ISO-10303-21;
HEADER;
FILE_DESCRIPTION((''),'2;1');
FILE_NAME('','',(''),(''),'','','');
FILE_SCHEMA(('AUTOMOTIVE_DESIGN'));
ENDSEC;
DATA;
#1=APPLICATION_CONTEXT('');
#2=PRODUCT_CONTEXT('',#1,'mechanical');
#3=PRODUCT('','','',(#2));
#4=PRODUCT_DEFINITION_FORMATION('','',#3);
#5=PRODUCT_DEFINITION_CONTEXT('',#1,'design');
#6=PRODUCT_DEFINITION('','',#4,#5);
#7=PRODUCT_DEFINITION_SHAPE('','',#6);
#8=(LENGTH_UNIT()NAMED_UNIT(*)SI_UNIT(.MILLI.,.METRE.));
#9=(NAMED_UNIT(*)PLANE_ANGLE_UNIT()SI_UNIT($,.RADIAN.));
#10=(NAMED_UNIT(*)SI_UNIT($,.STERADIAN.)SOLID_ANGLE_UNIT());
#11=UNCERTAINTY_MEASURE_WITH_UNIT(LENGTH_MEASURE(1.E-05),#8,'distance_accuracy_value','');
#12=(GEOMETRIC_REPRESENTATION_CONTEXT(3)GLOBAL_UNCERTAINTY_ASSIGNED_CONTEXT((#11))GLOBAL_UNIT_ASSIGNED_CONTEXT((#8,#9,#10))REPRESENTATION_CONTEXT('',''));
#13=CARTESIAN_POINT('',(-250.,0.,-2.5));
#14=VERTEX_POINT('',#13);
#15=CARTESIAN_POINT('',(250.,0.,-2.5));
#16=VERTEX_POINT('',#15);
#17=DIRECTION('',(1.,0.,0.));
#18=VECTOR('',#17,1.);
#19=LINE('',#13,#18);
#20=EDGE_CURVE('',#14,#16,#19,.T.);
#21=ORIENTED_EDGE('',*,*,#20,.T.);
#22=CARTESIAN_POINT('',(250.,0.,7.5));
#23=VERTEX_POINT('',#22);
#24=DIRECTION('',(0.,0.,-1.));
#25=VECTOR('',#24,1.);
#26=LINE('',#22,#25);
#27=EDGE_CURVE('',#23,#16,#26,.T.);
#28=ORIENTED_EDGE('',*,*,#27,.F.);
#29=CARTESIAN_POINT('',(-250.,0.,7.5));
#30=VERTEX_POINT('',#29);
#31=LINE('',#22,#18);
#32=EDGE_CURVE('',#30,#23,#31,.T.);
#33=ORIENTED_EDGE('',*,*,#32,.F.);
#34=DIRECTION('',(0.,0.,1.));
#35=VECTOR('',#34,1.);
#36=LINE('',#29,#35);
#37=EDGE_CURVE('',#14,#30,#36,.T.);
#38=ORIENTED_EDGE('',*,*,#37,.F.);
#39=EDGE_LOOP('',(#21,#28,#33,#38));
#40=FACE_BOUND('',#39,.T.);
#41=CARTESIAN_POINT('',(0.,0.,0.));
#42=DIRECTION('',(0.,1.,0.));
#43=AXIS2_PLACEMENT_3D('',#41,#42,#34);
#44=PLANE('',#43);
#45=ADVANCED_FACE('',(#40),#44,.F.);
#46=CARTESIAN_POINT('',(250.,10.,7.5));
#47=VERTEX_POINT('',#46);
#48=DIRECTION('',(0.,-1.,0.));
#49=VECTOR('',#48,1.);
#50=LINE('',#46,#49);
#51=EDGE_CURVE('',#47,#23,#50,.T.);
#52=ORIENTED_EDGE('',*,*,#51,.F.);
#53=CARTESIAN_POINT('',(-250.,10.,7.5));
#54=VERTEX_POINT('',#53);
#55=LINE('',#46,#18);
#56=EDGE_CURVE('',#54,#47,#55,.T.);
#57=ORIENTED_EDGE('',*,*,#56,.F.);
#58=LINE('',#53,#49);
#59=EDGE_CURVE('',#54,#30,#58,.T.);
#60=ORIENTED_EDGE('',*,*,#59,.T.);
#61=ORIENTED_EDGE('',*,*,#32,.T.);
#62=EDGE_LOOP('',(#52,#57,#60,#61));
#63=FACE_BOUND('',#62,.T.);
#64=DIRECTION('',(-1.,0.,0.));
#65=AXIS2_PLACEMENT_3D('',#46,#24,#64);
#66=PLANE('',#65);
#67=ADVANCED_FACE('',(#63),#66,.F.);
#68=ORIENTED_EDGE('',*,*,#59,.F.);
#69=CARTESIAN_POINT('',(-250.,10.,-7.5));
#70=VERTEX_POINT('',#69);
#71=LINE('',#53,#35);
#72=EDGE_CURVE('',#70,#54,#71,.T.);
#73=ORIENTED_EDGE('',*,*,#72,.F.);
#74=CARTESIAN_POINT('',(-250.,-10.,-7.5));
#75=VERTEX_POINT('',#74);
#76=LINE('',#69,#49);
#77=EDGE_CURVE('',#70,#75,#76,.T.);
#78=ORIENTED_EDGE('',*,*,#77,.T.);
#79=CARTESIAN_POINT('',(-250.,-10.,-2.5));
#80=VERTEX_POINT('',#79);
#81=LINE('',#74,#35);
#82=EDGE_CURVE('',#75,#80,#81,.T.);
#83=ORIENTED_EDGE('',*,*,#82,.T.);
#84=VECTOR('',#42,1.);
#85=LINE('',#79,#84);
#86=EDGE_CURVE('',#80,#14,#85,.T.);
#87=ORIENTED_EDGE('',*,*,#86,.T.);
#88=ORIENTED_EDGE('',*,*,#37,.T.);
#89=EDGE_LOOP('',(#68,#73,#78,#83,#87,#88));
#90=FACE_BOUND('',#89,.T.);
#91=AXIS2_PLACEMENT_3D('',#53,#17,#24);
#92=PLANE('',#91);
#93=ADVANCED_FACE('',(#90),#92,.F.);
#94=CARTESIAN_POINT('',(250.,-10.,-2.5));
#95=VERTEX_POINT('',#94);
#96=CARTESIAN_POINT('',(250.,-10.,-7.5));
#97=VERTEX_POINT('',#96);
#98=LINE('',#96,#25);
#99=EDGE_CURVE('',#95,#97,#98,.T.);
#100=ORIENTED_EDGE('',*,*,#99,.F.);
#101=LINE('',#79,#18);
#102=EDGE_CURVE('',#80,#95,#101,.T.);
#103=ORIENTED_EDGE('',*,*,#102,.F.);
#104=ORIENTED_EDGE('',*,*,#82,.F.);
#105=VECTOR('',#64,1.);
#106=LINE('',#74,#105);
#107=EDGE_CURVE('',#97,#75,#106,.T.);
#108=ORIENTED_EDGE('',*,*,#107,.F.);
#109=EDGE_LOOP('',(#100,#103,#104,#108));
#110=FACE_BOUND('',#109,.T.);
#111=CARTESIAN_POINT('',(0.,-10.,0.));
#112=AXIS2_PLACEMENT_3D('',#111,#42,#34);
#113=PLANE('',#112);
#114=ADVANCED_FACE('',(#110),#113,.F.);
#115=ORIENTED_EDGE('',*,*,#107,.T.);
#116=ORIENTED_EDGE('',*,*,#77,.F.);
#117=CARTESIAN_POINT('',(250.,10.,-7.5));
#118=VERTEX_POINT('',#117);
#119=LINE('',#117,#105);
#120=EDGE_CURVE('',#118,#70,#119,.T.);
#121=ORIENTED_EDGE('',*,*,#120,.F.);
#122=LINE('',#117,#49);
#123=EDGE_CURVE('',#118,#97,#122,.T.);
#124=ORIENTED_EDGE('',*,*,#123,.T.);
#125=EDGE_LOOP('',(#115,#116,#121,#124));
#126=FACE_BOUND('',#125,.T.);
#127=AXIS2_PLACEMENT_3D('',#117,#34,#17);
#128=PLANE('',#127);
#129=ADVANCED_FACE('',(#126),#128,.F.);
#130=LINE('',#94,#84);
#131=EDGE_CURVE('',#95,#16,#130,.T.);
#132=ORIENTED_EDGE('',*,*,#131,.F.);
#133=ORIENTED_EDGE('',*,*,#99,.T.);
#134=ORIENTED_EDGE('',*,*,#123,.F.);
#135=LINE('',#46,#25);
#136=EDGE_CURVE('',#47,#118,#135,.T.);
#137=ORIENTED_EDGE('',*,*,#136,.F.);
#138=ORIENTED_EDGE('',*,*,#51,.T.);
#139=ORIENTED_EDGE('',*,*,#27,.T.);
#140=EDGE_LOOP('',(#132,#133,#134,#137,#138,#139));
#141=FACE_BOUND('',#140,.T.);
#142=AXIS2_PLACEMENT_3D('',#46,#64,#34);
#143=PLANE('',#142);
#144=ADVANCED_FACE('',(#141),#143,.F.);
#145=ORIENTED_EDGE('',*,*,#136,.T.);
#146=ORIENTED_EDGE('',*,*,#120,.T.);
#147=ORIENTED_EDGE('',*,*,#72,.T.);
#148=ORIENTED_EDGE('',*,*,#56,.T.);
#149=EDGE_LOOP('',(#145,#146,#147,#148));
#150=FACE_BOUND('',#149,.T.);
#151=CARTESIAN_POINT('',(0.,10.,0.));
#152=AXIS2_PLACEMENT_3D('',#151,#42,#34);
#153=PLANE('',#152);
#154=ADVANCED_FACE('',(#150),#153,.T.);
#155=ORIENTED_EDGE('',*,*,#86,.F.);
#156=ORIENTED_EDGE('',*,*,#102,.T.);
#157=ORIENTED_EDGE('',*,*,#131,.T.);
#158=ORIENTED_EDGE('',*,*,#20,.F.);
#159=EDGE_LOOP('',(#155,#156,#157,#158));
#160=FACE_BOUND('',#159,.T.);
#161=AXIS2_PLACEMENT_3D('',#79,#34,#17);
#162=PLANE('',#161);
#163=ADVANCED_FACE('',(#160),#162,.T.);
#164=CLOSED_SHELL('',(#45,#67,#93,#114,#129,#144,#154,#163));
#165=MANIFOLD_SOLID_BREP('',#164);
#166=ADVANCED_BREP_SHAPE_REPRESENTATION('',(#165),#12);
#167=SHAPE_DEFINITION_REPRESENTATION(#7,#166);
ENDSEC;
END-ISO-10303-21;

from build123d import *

# Parameters (mm, degrees)
SKETCH2_W           = 500
SKETCH2_H           = 15
BOSS_EXTRUDE3_DEPTH = 10
SKETCH5_W           = 500
SKETCH5_H           = 5
BOSS_EXTRUDE5_DEPTH = 10


with BuildPart() as part:
    # Sketch2 → Boss-Extrude3 (new body)
    with BuildSketch(Plane(origin=(0, 0, 0), x_dir=(1, 0, 0), z_dir=(0, 1, 0))):
        Rectangle(SKETCH2_W, SKETCH2_H)
    extrude(amount=BOSS_EXTRUDE3_DEPTH)

    # Sketch5 → Boss-Extrude5 (add)
    with BuildSketch(Plane(origin=(0, 0, 0), x_dir=(1, 0, 0), z_dir=(0, 1, 0))):
        with Locations((0, 5)):
            Rectangle(SKETCH5_W, SKETCH5_H)
    extrude(amount=-BOSS_EXTRUDE5_DEPTH)


solid = part.part
